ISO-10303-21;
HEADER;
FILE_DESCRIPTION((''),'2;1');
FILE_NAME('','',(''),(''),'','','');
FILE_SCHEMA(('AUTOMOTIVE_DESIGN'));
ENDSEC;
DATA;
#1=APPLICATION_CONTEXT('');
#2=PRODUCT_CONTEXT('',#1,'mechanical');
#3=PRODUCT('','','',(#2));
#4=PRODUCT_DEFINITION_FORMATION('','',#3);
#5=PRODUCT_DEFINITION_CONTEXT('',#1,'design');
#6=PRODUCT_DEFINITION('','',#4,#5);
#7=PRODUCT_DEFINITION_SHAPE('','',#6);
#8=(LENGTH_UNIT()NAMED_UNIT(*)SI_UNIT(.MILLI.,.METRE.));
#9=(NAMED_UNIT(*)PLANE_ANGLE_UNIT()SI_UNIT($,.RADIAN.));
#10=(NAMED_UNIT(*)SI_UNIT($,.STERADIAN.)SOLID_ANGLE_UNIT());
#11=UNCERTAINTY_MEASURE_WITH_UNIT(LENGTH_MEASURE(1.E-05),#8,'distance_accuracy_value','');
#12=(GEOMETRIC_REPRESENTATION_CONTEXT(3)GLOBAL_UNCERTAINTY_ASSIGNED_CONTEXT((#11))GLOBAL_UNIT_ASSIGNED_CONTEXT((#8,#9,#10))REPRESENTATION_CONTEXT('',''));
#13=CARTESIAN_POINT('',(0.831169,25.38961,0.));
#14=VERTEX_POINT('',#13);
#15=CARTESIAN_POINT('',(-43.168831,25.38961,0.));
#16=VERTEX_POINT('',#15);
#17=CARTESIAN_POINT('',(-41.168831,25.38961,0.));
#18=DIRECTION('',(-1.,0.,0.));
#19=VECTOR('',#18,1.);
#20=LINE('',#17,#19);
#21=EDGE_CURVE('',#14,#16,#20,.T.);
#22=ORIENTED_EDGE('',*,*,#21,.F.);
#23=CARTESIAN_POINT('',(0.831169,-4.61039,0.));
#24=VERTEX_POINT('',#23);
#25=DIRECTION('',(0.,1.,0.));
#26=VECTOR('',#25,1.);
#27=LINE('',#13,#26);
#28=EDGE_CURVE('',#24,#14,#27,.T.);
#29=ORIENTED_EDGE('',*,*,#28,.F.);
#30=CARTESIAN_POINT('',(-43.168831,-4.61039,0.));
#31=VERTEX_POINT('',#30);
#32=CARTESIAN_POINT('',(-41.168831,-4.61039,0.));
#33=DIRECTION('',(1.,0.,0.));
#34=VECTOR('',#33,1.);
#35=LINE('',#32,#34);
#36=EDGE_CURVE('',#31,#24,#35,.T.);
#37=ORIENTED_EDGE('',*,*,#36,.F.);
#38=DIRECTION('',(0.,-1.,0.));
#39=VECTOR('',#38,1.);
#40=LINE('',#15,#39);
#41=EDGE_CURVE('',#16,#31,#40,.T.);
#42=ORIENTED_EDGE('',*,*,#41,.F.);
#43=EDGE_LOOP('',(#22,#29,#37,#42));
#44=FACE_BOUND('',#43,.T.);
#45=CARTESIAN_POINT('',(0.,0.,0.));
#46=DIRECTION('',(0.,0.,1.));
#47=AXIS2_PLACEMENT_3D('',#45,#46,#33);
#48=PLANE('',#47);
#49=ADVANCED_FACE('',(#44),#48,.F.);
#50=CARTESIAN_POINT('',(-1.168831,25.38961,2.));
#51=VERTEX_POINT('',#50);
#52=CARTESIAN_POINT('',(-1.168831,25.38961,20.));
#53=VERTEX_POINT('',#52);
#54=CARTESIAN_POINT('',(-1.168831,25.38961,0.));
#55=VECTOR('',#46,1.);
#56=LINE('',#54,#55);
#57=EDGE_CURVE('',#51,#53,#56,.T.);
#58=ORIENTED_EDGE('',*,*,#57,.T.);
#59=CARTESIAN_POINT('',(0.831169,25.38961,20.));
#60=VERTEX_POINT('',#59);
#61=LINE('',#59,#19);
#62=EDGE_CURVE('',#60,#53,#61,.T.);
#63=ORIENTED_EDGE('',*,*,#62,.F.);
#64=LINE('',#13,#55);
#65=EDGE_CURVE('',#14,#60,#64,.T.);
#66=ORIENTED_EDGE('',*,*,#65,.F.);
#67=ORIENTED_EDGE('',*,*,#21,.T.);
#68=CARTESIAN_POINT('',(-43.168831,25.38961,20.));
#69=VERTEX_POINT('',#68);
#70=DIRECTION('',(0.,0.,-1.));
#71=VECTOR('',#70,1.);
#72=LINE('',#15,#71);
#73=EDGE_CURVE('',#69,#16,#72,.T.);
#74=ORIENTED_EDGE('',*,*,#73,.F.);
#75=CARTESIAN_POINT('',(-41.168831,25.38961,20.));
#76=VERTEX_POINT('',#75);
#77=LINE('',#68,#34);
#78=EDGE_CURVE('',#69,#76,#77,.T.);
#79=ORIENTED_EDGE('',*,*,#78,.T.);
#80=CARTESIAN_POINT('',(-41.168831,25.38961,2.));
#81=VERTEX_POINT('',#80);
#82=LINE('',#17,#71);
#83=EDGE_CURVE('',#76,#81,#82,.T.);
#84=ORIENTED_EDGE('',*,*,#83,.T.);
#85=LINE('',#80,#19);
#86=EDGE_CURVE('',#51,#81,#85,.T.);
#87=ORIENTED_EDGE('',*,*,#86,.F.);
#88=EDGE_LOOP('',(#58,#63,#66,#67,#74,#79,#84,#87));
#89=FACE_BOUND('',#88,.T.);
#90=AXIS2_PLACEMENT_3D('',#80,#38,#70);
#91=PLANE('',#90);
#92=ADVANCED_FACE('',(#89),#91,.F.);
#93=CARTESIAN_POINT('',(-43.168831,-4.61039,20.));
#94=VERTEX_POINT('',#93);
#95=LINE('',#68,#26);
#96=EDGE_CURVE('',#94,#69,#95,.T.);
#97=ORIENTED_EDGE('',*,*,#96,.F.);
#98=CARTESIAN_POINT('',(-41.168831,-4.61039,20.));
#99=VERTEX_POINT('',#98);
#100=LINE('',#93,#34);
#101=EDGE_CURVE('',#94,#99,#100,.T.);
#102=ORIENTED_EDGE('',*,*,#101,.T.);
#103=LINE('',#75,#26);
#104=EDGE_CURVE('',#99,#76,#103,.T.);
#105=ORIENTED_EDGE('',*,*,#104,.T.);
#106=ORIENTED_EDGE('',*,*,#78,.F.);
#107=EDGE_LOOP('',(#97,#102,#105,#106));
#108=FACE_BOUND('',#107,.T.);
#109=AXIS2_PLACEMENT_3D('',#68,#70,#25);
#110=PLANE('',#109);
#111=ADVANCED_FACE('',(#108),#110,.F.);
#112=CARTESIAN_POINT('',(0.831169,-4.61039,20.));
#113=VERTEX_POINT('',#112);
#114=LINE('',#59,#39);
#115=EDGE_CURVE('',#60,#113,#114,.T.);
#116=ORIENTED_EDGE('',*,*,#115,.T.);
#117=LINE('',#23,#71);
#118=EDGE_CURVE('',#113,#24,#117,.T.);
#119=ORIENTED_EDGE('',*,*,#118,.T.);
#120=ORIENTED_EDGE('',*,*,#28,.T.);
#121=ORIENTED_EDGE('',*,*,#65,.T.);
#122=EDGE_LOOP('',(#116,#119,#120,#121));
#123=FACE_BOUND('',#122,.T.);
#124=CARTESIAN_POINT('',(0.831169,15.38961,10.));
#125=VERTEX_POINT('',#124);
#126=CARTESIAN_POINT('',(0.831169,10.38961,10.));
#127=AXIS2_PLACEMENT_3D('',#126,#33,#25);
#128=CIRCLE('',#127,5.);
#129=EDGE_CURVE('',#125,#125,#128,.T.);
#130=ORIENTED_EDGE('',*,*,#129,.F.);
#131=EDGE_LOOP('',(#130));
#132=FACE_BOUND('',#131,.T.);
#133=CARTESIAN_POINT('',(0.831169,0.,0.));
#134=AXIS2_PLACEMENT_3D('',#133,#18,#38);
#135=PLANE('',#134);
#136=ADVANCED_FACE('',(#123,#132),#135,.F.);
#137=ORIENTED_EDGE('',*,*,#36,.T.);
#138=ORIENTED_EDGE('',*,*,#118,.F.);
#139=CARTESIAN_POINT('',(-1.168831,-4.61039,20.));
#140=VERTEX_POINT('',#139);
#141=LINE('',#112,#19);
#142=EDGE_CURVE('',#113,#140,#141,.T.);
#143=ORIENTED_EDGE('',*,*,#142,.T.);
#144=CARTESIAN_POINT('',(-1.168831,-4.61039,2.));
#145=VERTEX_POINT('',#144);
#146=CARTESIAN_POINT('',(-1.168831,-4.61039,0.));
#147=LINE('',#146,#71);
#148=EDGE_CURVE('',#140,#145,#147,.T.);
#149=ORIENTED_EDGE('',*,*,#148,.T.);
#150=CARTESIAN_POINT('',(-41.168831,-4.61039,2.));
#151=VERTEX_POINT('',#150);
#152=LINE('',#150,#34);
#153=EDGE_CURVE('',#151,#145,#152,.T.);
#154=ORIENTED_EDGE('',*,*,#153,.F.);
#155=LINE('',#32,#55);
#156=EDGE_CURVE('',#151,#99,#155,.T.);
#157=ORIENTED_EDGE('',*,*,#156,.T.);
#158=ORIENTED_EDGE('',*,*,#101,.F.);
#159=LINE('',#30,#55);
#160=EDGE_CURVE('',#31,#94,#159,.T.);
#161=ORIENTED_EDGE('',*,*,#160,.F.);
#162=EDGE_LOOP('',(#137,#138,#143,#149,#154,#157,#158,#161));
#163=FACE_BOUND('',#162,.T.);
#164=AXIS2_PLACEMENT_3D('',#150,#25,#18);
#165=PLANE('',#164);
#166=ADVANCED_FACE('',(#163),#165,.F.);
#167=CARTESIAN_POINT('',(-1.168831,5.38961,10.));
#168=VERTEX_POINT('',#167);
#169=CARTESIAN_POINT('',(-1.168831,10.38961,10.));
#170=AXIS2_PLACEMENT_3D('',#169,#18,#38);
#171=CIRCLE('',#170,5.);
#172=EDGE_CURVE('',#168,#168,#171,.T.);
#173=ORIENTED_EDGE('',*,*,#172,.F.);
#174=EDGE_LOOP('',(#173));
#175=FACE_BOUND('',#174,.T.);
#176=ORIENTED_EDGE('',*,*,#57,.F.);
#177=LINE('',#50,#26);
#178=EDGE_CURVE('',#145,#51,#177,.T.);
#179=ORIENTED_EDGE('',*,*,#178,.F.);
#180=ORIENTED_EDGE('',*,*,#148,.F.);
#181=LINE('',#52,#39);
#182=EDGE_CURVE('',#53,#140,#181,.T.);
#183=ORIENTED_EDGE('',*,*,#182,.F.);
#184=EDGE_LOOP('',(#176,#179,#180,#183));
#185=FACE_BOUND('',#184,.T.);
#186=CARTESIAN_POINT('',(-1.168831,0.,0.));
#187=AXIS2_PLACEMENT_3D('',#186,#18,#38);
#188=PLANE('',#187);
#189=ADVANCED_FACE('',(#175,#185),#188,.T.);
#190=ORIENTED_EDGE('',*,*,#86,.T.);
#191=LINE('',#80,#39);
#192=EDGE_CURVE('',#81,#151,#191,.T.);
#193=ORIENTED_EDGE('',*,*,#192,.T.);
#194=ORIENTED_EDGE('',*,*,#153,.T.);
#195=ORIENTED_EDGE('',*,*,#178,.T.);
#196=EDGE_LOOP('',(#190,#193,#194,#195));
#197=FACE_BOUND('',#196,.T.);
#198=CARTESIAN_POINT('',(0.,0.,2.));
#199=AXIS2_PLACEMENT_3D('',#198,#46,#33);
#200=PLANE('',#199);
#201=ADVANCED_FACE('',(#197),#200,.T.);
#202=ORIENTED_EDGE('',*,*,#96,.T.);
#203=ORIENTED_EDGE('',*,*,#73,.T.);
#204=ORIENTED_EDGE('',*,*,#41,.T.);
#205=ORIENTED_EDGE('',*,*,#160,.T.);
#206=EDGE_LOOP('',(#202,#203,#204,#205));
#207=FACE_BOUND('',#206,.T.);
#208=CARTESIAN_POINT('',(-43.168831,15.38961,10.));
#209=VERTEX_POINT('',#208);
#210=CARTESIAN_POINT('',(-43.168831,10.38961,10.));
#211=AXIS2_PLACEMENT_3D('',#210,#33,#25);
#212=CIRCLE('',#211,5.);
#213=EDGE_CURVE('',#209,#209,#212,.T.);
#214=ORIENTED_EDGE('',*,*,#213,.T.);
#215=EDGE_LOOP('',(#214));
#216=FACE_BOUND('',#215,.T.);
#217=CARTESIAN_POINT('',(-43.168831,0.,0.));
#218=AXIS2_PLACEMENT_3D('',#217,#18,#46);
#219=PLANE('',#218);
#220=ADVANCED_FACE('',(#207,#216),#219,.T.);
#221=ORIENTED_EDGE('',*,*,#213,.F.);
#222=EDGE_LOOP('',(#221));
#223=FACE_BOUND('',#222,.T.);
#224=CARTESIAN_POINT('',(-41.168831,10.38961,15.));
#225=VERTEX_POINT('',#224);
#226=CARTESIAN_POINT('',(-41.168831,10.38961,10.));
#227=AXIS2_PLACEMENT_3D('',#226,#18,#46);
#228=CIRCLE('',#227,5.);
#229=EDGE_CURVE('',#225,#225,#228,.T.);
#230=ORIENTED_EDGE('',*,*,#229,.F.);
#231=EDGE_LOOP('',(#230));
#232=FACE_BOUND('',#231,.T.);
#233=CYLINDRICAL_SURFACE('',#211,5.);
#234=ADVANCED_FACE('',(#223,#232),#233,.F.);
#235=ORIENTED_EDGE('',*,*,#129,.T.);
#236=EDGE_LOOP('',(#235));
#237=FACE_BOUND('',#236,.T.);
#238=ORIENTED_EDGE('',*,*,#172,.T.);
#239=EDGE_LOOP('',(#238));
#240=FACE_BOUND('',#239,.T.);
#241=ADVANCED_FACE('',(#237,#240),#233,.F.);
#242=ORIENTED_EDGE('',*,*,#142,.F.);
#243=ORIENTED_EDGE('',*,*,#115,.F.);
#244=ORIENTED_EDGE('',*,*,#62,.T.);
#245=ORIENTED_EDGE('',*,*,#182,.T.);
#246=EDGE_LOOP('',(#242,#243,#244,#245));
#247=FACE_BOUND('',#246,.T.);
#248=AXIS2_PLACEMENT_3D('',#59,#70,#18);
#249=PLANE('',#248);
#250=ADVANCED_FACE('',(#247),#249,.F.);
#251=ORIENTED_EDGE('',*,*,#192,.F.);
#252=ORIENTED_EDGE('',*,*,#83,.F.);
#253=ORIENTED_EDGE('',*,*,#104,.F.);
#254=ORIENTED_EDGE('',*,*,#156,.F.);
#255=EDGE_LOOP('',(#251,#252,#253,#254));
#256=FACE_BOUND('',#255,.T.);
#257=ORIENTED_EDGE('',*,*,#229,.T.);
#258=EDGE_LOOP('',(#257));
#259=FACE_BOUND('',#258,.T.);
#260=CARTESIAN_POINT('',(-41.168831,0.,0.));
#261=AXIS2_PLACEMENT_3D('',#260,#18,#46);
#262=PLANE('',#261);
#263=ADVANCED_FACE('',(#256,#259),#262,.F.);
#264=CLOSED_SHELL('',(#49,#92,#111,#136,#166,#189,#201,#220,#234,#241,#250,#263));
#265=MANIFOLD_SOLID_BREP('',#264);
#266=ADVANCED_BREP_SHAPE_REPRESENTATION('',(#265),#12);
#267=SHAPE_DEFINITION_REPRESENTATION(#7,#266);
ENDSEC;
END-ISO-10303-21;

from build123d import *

# Parameters (mm, degrees)
SKETCH1_W           = 40
SKETCH1_H           = 30
BOSS_EXTRUDE1_DEPTH = 2
SKETCH2_W           = 20
SKETCH2_H           = 30
BOSS_EXTRUDE2_DEPTH = 2
SKETCH3_W           = 20
SKETCH3_H           = 30
BOSS_EXTRUDE3_DEPTH = 2
SKETCH5_R           = 5
CUT_EXTRUDE2_DEPTH  = 55.595167513


with BuildPart() as part:
    # Sketch1 → Boss-Extrude1 (new body)
    with BuildSketch(Plane.XY):
        with Locations((-21.168831169, 10.38961039)):
            Rectangle(SKETCH1_W, SKETCH1_H)
    extrude(amount=BOSS_EXTRUDE1_DEPTH)

    # Sketch2 → Boss-Extrude2 (add)
    with BuildSketch(Plane.ZY.offset(41.168831169)):
        with Locations((10, 10.38961039)):
            Rectangle(SKETCH2_W, SKETCH2_H)
    extrude(amount=BOSS_EXTRUDE2_DEPTH)

    # Sketch3 → Boss-Extrude3 (add)
    with BuildSketch(Plane(origin=(-1.168831169, 0, 0), x_dir=(0, 0, -1), z_dir=(1, 0, 0))):
        with Locations((-10, 10.38961039)):
            Rectangle(SKETCH3_W, SKETCH3_H)
    extrude(amount=BOSS_EXTRUDE3_DEPTH)

    # Sketch5 → Cut-Extrude2 (cut, through all)
    with BuildSketch(Plane(origin=(0.831168831, 0, 0), x_dir=(0, 0, -1), z_dir=(1, 0, 0))):
        with Locations(Location((-10, 10.38961039, 0), (0, 0, 90))):
            Circle(SKETCH5_R)
    extrude(amount=-CUT_EXTRUDE2_DEPTH, mode=Mode.SUBTRACT)


solid = part.part
